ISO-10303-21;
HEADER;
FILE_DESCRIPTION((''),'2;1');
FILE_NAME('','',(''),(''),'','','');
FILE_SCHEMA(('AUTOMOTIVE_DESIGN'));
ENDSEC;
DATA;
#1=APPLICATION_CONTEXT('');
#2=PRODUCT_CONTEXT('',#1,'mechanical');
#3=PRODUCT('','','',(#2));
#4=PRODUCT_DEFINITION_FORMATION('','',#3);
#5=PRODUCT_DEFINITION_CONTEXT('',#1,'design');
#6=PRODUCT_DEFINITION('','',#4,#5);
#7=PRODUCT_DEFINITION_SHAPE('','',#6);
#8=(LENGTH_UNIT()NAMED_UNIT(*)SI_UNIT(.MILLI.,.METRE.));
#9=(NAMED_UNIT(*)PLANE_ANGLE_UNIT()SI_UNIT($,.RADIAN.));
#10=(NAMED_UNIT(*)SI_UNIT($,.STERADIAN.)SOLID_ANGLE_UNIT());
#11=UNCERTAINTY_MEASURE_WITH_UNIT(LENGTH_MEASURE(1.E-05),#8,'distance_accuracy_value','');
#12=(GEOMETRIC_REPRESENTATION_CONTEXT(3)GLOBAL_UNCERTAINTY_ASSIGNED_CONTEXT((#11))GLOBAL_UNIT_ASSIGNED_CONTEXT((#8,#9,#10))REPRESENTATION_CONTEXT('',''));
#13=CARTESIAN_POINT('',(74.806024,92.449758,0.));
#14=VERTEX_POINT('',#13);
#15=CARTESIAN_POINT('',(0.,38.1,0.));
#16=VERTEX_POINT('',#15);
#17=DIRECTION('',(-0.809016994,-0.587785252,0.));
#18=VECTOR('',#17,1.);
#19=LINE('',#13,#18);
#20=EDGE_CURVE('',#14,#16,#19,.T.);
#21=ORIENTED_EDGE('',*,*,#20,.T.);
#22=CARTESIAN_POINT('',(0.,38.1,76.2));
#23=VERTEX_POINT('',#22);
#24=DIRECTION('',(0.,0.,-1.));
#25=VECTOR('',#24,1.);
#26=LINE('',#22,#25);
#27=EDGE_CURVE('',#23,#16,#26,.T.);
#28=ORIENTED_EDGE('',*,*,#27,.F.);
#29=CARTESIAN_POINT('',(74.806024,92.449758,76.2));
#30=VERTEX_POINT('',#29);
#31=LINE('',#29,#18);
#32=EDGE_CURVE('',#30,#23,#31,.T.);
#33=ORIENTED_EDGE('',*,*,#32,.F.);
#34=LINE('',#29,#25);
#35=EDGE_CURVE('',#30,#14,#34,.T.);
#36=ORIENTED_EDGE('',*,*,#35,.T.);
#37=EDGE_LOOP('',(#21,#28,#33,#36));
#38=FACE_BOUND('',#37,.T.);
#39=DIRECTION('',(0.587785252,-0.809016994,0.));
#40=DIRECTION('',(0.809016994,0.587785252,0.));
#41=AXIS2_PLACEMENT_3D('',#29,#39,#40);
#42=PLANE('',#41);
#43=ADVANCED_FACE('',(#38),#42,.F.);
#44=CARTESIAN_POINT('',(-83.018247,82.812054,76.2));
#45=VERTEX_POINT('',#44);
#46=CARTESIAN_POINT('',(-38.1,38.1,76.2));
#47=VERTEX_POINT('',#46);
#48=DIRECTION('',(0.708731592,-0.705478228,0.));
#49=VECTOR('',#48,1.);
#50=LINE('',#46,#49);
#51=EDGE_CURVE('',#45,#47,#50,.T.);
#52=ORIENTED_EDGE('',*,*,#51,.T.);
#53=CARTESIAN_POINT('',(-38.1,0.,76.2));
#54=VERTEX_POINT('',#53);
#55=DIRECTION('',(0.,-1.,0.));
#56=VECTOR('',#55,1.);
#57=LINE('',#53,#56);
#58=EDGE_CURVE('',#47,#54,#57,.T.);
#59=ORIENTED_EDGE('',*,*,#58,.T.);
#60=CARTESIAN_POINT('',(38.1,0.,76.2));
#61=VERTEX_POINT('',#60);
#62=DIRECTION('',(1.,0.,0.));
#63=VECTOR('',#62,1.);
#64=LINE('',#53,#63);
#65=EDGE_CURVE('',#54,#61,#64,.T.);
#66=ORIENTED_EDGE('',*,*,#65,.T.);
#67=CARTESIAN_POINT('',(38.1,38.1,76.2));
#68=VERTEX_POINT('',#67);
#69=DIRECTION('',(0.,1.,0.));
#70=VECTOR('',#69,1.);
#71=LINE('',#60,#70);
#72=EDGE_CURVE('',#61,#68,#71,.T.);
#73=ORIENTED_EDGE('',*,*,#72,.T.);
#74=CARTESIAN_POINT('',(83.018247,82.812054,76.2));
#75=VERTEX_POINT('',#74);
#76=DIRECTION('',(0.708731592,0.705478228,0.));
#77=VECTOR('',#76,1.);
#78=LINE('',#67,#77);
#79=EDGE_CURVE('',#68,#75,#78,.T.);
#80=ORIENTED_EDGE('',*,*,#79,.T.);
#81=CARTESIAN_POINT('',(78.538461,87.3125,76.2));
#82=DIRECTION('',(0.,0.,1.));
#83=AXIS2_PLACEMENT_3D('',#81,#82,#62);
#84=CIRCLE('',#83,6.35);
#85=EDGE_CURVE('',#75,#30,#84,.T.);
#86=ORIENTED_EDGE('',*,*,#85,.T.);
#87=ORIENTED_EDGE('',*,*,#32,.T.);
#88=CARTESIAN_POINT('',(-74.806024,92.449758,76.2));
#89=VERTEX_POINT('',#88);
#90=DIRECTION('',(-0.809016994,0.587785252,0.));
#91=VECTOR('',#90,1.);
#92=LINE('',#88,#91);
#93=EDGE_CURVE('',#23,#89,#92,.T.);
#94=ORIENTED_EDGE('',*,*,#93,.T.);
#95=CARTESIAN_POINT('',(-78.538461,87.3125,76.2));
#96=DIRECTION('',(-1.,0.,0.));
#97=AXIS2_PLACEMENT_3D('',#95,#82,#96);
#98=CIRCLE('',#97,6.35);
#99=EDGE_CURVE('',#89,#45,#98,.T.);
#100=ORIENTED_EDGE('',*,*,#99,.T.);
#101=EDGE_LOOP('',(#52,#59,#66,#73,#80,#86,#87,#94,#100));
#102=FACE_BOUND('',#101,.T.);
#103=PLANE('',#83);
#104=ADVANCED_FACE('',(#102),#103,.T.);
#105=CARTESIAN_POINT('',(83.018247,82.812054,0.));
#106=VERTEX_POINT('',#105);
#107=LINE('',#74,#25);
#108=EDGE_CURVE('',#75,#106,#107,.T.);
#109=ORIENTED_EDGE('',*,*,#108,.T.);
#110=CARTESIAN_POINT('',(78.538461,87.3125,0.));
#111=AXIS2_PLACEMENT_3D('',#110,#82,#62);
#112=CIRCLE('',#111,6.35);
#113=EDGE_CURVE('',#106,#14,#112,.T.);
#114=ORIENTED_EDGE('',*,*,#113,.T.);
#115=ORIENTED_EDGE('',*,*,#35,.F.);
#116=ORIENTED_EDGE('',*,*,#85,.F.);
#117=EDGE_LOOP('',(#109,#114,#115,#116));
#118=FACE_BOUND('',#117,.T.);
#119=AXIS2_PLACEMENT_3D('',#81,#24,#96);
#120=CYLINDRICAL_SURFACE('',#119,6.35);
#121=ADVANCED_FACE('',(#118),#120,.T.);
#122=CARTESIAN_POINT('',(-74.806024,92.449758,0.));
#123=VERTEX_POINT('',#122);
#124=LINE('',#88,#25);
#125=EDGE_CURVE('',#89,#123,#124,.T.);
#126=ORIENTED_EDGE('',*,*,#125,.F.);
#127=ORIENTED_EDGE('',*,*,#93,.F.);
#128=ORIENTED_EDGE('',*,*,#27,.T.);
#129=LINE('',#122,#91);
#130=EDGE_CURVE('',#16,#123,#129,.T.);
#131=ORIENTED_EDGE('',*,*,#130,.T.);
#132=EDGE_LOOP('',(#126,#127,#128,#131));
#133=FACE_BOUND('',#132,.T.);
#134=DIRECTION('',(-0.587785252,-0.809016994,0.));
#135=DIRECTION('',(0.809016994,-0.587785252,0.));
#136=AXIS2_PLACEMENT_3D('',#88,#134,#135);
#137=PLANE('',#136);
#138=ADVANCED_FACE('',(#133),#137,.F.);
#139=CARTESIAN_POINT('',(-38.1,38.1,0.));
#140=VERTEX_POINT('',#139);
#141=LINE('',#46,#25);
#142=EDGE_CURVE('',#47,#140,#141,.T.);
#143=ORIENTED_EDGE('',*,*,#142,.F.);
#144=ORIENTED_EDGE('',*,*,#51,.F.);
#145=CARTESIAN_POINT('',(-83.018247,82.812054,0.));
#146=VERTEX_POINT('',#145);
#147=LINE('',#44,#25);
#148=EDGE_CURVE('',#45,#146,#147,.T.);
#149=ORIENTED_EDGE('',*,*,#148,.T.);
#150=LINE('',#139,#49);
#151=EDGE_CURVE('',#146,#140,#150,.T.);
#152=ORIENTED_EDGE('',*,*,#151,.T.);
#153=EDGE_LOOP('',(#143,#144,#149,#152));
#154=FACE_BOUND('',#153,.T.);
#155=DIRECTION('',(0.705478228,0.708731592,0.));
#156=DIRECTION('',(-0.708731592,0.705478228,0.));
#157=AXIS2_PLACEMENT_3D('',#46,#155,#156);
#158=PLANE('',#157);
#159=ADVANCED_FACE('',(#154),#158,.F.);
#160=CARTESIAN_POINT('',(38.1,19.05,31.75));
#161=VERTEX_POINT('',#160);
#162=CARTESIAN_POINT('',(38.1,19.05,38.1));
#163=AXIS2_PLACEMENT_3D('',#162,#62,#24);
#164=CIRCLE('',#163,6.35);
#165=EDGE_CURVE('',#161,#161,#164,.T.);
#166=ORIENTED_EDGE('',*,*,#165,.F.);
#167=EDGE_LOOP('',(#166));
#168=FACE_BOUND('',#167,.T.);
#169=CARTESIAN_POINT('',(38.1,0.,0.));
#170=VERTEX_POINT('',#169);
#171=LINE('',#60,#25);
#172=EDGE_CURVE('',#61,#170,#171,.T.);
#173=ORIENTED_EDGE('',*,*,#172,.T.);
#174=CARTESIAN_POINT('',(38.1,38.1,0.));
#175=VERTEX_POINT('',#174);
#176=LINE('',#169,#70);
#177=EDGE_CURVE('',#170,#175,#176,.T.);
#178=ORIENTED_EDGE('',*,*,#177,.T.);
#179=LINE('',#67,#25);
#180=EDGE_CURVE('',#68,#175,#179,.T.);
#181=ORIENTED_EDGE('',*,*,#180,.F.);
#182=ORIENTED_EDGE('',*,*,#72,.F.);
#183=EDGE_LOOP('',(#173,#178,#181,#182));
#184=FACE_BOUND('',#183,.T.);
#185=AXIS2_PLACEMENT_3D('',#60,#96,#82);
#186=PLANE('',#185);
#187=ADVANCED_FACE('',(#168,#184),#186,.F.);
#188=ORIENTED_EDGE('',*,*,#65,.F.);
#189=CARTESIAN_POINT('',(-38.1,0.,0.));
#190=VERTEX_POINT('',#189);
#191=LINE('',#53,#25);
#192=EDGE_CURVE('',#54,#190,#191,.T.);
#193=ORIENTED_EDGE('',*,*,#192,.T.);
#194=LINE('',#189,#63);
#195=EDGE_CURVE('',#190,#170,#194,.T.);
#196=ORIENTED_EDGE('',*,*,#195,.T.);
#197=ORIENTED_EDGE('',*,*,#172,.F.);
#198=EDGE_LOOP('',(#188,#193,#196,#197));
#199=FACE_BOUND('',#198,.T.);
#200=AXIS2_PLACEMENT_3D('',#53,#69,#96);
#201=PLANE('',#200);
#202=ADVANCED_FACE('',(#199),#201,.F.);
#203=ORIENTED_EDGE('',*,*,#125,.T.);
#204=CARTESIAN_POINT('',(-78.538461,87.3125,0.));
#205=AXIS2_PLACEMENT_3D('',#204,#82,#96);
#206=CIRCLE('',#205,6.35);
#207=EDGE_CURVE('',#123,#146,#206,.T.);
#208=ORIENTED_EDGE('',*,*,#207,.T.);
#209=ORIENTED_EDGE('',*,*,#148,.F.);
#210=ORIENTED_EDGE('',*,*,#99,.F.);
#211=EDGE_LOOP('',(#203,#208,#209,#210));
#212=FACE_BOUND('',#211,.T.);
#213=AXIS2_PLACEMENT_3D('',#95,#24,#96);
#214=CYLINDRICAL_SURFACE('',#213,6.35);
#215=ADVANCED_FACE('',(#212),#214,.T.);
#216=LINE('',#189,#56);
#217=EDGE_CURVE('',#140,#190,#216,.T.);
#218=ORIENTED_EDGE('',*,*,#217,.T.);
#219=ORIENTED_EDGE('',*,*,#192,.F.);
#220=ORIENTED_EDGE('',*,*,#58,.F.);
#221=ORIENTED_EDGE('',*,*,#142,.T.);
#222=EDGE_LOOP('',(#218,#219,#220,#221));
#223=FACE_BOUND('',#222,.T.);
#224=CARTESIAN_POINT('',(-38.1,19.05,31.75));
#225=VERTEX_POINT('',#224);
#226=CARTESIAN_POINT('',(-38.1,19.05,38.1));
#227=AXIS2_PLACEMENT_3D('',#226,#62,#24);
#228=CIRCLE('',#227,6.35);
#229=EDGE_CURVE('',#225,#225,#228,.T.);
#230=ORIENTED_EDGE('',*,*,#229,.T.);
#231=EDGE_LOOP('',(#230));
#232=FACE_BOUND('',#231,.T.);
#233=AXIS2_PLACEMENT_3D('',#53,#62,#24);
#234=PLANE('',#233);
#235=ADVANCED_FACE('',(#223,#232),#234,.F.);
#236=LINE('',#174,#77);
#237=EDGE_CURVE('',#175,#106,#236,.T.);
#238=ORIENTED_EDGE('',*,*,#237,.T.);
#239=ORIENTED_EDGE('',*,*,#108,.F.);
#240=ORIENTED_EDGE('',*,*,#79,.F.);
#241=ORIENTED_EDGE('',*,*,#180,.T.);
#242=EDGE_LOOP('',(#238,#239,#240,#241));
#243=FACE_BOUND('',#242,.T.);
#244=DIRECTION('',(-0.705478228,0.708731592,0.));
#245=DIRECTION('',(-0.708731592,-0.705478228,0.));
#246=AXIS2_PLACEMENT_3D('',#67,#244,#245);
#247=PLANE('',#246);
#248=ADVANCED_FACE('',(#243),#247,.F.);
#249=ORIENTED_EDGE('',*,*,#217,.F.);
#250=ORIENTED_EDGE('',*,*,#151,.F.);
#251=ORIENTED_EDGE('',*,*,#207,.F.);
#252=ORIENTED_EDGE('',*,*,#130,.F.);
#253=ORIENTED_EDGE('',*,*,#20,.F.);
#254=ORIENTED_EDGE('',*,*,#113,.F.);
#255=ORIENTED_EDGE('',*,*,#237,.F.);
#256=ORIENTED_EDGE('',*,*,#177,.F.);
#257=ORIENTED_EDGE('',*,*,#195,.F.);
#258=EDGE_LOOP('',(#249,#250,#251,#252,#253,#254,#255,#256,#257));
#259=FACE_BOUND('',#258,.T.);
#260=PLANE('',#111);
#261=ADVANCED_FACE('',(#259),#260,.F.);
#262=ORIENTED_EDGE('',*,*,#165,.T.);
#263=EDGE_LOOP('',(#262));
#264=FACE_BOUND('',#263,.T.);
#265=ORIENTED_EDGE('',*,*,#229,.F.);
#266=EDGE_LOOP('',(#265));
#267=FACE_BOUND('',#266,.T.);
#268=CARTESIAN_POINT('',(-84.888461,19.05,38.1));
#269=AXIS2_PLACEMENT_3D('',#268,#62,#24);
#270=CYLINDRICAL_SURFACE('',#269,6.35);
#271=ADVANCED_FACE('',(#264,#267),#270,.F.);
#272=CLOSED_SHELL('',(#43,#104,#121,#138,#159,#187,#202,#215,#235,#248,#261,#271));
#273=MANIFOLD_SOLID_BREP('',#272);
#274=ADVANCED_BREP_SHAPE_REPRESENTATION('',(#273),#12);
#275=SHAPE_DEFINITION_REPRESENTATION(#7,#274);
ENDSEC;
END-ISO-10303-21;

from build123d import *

# Parameters (mm, degrees)
BOSS_EXTRUDE1_DEPTH = 76.2
SKETCH2_R           = 6.35
CUT_EXTRUDE1_DEPTH  = 123.988460527


with BuildPart() as part:
    # Sketch1 → Boss-Extrude1 (new body)
    with BuildSketch(Plane.XY):
        with BuildLine():
            Line((-38.1, 0), (38.1, 0))
            Line((38.1, 0), (38.1, 38.1))
            Line((38.1, 38.1), (83.018247276, 82.81205439))
            ThreePointArc((83.018247276, 82.81205439), (83.371778793, 91.430938362), (74.806024175, 92.449757914))
            Line((74.806024175, 92.449757914), (0, 38.1))
            Line((0, 38.1), (-74.806024175, 92.449757914))
            ThreePointArc((-74.806024175, 92.449757914), (-83.371778793, 91.430938362), (-83.018247276, 82.81205439))
            Line((-83.018247276, 82.81205439), (-38.1, 38.1))
            Line((-38.1, 38.1), (-38.1, 0))
        make_face()
    extrude(amount=BOSS_EXTRUDE1_DEPTH)

    # Sketch2 → Cut-Extrude1 (cut, through all)
    with BuildSketch(Plane(origin=(38.1, 0, 0), x_dir=(0, 0, -1), z_dir=(1, 0, 0))):
        with Locations((-38.1, 19.05)):
            Circle(SKETCH2_R)
    extrude(amount=-CUT_EXTRUDE1_DEPTH, mode=Mode.SUBTRACT)


solid = part.part
